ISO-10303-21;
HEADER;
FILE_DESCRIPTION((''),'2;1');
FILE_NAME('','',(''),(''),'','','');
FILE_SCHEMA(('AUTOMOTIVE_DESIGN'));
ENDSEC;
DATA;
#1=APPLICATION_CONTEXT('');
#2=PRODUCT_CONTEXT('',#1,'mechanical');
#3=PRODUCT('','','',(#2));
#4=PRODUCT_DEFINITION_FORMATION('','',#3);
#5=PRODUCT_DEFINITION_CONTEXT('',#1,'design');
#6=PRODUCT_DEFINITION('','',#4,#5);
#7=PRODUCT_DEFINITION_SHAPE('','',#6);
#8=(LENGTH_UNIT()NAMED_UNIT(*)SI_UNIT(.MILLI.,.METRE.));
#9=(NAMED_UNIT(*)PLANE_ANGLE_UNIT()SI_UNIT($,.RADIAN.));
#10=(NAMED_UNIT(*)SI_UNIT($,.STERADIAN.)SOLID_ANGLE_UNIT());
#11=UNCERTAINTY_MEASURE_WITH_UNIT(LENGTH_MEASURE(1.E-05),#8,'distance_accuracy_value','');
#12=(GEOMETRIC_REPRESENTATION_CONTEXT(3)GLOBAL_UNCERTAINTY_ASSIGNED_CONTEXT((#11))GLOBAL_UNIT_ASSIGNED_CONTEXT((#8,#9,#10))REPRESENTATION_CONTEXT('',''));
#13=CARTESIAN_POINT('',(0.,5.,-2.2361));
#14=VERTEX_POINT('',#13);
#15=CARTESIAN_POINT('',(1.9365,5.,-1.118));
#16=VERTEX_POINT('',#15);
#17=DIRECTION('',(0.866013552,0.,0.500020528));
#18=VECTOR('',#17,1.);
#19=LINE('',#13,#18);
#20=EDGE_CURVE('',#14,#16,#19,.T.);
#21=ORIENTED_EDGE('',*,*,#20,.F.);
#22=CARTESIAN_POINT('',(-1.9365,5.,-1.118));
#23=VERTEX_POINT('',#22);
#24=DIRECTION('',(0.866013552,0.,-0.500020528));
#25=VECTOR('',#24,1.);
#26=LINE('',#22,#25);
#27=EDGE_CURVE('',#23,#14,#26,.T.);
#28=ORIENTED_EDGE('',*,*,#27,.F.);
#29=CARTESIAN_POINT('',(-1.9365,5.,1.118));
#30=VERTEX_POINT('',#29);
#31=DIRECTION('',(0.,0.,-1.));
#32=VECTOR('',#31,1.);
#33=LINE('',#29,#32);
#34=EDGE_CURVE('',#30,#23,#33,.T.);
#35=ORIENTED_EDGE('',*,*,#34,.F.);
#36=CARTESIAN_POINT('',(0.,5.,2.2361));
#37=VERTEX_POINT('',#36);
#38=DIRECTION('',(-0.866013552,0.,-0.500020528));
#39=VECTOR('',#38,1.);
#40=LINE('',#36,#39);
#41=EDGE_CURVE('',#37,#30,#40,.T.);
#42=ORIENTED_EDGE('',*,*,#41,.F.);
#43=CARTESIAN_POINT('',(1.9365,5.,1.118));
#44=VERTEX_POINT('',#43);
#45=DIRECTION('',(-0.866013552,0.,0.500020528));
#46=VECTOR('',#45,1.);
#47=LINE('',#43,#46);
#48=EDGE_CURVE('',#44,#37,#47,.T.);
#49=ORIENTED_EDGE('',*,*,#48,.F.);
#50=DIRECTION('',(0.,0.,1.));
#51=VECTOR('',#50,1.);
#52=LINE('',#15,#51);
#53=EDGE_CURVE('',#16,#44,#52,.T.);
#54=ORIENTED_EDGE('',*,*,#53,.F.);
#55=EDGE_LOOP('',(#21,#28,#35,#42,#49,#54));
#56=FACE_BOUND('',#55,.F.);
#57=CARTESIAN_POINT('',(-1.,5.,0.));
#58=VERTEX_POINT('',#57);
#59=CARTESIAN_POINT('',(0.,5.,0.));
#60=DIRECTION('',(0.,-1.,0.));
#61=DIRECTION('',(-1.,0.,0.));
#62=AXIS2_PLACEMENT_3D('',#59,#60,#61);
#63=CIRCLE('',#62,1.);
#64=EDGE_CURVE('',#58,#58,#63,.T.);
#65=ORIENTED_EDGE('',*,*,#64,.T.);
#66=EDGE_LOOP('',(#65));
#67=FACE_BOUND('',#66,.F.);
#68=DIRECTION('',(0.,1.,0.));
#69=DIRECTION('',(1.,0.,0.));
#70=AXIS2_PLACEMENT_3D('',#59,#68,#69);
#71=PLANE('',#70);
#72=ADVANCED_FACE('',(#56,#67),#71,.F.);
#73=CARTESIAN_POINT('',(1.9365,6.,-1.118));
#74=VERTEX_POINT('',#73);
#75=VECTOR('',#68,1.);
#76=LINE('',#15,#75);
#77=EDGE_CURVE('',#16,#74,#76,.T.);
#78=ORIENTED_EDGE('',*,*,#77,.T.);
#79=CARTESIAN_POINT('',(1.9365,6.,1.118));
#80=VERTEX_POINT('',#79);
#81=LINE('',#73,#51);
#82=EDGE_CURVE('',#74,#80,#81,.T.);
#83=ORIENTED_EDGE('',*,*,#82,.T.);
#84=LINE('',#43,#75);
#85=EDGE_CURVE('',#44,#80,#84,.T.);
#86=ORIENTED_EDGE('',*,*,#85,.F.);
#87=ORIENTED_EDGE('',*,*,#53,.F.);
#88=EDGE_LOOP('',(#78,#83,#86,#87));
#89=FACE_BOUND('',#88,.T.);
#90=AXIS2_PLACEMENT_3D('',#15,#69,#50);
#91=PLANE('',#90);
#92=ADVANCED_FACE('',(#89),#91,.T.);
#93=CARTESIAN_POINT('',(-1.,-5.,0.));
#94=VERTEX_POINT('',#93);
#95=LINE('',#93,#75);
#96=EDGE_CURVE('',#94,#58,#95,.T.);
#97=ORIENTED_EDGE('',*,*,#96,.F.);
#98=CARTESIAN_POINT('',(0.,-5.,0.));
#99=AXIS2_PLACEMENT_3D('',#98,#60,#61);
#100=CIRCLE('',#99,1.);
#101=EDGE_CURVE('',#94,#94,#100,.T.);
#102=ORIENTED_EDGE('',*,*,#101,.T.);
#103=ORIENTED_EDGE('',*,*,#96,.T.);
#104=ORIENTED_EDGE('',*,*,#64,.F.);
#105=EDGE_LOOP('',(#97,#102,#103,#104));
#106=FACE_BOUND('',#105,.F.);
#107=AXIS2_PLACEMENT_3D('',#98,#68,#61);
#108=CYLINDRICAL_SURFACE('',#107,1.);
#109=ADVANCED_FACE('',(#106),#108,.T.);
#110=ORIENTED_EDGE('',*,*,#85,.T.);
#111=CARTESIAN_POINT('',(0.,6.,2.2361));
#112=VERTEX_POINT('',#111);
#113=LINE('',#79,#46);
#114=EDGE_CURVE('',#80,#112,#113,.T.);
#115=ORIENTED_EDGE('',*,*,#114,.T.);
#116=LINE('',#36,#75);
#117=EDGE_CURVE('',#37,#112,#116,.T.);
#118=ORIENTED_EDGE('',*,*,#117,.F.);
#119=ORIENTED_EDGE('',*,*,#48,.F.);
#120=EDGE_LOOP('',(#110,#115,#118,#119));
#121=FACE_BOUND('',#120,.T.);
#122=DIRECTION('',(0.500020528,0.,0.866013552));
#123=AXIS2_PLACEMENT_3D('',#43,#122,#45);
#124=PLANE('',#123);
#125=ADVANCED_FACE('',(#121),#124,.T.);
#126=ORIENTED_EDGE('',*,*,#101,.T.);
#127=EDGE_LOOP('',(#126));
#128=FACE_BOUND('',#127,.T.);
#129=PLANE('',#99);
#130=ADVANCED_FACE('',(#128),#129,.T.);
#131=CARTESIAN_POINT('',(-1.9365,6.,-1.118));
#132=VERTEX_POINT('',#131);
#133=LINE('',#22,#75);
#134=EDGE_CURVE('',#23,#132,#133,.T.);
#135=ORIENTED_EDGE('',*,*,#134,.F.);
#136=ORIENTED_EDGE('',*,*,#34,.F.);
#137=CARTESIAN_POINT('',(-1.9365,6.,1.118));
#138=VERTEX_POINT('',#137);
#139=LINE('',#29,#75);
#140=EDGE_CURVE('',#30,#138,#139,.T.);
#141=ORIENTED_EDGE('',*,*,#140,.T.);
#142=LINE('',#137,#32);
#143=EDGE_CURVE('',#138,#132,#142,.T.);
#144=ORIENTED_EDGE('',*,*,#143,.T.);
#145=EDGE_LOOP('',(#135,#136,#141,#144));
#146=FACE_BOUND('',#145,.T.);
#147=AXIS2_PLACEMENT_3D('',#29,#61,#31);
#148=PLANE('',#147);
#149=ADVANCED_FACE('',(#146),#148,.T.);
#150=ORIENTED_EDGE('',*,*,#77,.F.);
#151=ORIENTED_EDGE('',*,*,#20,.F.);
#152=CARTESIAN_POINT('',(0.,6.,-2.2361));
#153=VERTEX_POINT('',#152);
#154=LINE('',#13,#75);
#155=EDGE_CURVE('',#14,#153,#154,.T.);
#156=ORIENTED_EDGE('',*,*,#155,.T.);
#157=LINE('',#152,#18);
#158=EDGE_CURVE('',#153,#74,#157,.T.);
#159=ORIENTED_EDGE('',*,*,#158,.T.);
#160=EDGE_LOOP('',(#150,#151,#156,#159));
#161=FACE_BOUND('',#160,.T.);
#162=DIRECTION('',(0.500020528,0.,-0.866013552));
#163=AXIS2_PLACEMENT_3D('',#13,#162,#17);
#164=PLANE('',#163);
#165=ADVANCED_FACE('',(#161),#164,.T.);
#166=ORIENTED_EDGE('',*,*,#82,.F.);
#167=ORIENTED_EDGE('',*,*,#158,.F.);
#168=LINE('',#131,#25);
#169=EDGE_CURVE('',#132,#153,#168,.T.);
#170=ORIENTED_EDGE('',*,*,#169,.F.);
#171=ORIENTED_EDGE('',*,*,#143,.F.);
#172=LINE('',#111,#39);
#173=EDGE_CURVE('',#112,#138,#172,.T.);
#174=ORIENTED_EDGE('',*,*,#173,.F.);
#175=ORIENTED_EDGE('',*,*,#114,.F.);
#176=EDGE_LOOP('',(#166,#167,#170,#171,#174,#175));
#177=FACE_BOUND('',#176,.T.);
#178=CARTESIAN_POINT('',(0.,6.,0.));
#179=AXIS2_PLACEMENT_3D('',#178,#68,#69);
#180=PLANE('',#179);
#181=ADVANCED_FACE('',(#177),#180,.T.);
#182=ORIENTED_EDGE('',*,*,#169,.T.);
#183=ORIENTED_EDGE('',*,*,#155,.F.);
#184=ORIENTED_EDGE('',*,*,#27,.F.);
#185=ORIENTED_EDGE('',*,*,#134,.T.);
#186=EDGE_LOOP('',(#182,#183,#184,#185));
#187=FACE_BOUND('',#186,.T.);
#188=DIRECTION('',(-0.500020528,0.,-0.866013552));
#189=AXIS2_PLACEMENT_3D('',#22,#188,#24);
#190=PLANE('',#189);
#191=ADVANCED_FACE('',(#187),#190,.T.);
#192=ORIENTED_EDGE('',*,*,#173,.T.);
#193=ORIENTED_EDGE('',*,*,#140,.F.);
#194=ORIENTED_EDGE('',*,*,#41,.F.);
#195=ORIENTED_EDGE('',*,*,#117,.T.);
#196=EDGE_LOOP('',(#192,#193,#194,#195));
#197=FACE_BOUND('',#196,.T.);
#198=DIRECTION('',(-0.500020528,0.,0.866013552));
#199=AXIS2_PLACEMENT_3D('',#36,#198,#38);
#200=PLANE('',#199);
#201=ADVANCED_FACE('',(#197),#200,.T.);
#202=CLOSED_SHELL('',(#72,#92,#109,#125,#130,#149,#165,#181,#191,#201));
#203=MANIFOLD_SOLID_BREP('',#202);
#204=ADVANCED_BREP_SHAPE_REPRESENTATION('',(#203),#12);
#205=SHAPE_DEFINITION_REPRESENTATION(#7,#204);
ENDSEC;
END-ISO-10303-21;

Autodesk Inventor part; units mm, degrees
ref_plane "YZ Plane" through (0, 0, 0) normal (1, 0, 0) x (0, 1, 0)
ref_plane "XZ Plane" through (0, 0, 0) normal (0, 1, 0) x (-1, 0, 0)
ref_plane "XY Plane" through (0, 0, 0) normal (0, 0, 1) x (1, 0, 0)
sketch "Sketch1" plane through (0, 0, 0) normal (0, 0, 1) x (1, 0, 0)
  line L0 (0, 5) -> (0, -5)
  line L1 (-1, -5) -> (0, -5)
  line L2 (-1, -5) -> (-1, 5)
  line L3 (-1, 5) -> (0, 5)
  point P0 (0, 0)
  dimension "d0" = 10
  dimension "d1" = 1
revolve "Revolution1" add sketch "Sketch1" angle 360 about axis through (0, 5, 0) along (0, -1, 0)
sketch "Sketch2" plane through (0, 5, 0) normal (0, 1, 0) x (1, 0, 0)
  line L0 (1.9365, -1.118) -> (0, -2.2361)
  line L1 (0, -2.2361) -> (-1.9365, -1.118)
  line L2 (-1.9365, -1.118) -> (-1.9365, 1.118)
  line L3 (-1.9365, 1.118) -> (0, 2.2361)
  line L4 (0, 2.2361) -> (1.9365, 1.118)
  line L5 (1.9365, 1.118) -> (1.9365, -1.118)
  point P0 (0, 0)
  point P1 (0, 0)
  dimension "d3" = 1.9365
extrude "Extrusion1" add sketch "Sketch2" along normal blind 1
thread "Thread1" size "M0.6x0.15" class "6g" standard "ANSI Metric M Profile" full length
properties part number "pe_parafuso"
